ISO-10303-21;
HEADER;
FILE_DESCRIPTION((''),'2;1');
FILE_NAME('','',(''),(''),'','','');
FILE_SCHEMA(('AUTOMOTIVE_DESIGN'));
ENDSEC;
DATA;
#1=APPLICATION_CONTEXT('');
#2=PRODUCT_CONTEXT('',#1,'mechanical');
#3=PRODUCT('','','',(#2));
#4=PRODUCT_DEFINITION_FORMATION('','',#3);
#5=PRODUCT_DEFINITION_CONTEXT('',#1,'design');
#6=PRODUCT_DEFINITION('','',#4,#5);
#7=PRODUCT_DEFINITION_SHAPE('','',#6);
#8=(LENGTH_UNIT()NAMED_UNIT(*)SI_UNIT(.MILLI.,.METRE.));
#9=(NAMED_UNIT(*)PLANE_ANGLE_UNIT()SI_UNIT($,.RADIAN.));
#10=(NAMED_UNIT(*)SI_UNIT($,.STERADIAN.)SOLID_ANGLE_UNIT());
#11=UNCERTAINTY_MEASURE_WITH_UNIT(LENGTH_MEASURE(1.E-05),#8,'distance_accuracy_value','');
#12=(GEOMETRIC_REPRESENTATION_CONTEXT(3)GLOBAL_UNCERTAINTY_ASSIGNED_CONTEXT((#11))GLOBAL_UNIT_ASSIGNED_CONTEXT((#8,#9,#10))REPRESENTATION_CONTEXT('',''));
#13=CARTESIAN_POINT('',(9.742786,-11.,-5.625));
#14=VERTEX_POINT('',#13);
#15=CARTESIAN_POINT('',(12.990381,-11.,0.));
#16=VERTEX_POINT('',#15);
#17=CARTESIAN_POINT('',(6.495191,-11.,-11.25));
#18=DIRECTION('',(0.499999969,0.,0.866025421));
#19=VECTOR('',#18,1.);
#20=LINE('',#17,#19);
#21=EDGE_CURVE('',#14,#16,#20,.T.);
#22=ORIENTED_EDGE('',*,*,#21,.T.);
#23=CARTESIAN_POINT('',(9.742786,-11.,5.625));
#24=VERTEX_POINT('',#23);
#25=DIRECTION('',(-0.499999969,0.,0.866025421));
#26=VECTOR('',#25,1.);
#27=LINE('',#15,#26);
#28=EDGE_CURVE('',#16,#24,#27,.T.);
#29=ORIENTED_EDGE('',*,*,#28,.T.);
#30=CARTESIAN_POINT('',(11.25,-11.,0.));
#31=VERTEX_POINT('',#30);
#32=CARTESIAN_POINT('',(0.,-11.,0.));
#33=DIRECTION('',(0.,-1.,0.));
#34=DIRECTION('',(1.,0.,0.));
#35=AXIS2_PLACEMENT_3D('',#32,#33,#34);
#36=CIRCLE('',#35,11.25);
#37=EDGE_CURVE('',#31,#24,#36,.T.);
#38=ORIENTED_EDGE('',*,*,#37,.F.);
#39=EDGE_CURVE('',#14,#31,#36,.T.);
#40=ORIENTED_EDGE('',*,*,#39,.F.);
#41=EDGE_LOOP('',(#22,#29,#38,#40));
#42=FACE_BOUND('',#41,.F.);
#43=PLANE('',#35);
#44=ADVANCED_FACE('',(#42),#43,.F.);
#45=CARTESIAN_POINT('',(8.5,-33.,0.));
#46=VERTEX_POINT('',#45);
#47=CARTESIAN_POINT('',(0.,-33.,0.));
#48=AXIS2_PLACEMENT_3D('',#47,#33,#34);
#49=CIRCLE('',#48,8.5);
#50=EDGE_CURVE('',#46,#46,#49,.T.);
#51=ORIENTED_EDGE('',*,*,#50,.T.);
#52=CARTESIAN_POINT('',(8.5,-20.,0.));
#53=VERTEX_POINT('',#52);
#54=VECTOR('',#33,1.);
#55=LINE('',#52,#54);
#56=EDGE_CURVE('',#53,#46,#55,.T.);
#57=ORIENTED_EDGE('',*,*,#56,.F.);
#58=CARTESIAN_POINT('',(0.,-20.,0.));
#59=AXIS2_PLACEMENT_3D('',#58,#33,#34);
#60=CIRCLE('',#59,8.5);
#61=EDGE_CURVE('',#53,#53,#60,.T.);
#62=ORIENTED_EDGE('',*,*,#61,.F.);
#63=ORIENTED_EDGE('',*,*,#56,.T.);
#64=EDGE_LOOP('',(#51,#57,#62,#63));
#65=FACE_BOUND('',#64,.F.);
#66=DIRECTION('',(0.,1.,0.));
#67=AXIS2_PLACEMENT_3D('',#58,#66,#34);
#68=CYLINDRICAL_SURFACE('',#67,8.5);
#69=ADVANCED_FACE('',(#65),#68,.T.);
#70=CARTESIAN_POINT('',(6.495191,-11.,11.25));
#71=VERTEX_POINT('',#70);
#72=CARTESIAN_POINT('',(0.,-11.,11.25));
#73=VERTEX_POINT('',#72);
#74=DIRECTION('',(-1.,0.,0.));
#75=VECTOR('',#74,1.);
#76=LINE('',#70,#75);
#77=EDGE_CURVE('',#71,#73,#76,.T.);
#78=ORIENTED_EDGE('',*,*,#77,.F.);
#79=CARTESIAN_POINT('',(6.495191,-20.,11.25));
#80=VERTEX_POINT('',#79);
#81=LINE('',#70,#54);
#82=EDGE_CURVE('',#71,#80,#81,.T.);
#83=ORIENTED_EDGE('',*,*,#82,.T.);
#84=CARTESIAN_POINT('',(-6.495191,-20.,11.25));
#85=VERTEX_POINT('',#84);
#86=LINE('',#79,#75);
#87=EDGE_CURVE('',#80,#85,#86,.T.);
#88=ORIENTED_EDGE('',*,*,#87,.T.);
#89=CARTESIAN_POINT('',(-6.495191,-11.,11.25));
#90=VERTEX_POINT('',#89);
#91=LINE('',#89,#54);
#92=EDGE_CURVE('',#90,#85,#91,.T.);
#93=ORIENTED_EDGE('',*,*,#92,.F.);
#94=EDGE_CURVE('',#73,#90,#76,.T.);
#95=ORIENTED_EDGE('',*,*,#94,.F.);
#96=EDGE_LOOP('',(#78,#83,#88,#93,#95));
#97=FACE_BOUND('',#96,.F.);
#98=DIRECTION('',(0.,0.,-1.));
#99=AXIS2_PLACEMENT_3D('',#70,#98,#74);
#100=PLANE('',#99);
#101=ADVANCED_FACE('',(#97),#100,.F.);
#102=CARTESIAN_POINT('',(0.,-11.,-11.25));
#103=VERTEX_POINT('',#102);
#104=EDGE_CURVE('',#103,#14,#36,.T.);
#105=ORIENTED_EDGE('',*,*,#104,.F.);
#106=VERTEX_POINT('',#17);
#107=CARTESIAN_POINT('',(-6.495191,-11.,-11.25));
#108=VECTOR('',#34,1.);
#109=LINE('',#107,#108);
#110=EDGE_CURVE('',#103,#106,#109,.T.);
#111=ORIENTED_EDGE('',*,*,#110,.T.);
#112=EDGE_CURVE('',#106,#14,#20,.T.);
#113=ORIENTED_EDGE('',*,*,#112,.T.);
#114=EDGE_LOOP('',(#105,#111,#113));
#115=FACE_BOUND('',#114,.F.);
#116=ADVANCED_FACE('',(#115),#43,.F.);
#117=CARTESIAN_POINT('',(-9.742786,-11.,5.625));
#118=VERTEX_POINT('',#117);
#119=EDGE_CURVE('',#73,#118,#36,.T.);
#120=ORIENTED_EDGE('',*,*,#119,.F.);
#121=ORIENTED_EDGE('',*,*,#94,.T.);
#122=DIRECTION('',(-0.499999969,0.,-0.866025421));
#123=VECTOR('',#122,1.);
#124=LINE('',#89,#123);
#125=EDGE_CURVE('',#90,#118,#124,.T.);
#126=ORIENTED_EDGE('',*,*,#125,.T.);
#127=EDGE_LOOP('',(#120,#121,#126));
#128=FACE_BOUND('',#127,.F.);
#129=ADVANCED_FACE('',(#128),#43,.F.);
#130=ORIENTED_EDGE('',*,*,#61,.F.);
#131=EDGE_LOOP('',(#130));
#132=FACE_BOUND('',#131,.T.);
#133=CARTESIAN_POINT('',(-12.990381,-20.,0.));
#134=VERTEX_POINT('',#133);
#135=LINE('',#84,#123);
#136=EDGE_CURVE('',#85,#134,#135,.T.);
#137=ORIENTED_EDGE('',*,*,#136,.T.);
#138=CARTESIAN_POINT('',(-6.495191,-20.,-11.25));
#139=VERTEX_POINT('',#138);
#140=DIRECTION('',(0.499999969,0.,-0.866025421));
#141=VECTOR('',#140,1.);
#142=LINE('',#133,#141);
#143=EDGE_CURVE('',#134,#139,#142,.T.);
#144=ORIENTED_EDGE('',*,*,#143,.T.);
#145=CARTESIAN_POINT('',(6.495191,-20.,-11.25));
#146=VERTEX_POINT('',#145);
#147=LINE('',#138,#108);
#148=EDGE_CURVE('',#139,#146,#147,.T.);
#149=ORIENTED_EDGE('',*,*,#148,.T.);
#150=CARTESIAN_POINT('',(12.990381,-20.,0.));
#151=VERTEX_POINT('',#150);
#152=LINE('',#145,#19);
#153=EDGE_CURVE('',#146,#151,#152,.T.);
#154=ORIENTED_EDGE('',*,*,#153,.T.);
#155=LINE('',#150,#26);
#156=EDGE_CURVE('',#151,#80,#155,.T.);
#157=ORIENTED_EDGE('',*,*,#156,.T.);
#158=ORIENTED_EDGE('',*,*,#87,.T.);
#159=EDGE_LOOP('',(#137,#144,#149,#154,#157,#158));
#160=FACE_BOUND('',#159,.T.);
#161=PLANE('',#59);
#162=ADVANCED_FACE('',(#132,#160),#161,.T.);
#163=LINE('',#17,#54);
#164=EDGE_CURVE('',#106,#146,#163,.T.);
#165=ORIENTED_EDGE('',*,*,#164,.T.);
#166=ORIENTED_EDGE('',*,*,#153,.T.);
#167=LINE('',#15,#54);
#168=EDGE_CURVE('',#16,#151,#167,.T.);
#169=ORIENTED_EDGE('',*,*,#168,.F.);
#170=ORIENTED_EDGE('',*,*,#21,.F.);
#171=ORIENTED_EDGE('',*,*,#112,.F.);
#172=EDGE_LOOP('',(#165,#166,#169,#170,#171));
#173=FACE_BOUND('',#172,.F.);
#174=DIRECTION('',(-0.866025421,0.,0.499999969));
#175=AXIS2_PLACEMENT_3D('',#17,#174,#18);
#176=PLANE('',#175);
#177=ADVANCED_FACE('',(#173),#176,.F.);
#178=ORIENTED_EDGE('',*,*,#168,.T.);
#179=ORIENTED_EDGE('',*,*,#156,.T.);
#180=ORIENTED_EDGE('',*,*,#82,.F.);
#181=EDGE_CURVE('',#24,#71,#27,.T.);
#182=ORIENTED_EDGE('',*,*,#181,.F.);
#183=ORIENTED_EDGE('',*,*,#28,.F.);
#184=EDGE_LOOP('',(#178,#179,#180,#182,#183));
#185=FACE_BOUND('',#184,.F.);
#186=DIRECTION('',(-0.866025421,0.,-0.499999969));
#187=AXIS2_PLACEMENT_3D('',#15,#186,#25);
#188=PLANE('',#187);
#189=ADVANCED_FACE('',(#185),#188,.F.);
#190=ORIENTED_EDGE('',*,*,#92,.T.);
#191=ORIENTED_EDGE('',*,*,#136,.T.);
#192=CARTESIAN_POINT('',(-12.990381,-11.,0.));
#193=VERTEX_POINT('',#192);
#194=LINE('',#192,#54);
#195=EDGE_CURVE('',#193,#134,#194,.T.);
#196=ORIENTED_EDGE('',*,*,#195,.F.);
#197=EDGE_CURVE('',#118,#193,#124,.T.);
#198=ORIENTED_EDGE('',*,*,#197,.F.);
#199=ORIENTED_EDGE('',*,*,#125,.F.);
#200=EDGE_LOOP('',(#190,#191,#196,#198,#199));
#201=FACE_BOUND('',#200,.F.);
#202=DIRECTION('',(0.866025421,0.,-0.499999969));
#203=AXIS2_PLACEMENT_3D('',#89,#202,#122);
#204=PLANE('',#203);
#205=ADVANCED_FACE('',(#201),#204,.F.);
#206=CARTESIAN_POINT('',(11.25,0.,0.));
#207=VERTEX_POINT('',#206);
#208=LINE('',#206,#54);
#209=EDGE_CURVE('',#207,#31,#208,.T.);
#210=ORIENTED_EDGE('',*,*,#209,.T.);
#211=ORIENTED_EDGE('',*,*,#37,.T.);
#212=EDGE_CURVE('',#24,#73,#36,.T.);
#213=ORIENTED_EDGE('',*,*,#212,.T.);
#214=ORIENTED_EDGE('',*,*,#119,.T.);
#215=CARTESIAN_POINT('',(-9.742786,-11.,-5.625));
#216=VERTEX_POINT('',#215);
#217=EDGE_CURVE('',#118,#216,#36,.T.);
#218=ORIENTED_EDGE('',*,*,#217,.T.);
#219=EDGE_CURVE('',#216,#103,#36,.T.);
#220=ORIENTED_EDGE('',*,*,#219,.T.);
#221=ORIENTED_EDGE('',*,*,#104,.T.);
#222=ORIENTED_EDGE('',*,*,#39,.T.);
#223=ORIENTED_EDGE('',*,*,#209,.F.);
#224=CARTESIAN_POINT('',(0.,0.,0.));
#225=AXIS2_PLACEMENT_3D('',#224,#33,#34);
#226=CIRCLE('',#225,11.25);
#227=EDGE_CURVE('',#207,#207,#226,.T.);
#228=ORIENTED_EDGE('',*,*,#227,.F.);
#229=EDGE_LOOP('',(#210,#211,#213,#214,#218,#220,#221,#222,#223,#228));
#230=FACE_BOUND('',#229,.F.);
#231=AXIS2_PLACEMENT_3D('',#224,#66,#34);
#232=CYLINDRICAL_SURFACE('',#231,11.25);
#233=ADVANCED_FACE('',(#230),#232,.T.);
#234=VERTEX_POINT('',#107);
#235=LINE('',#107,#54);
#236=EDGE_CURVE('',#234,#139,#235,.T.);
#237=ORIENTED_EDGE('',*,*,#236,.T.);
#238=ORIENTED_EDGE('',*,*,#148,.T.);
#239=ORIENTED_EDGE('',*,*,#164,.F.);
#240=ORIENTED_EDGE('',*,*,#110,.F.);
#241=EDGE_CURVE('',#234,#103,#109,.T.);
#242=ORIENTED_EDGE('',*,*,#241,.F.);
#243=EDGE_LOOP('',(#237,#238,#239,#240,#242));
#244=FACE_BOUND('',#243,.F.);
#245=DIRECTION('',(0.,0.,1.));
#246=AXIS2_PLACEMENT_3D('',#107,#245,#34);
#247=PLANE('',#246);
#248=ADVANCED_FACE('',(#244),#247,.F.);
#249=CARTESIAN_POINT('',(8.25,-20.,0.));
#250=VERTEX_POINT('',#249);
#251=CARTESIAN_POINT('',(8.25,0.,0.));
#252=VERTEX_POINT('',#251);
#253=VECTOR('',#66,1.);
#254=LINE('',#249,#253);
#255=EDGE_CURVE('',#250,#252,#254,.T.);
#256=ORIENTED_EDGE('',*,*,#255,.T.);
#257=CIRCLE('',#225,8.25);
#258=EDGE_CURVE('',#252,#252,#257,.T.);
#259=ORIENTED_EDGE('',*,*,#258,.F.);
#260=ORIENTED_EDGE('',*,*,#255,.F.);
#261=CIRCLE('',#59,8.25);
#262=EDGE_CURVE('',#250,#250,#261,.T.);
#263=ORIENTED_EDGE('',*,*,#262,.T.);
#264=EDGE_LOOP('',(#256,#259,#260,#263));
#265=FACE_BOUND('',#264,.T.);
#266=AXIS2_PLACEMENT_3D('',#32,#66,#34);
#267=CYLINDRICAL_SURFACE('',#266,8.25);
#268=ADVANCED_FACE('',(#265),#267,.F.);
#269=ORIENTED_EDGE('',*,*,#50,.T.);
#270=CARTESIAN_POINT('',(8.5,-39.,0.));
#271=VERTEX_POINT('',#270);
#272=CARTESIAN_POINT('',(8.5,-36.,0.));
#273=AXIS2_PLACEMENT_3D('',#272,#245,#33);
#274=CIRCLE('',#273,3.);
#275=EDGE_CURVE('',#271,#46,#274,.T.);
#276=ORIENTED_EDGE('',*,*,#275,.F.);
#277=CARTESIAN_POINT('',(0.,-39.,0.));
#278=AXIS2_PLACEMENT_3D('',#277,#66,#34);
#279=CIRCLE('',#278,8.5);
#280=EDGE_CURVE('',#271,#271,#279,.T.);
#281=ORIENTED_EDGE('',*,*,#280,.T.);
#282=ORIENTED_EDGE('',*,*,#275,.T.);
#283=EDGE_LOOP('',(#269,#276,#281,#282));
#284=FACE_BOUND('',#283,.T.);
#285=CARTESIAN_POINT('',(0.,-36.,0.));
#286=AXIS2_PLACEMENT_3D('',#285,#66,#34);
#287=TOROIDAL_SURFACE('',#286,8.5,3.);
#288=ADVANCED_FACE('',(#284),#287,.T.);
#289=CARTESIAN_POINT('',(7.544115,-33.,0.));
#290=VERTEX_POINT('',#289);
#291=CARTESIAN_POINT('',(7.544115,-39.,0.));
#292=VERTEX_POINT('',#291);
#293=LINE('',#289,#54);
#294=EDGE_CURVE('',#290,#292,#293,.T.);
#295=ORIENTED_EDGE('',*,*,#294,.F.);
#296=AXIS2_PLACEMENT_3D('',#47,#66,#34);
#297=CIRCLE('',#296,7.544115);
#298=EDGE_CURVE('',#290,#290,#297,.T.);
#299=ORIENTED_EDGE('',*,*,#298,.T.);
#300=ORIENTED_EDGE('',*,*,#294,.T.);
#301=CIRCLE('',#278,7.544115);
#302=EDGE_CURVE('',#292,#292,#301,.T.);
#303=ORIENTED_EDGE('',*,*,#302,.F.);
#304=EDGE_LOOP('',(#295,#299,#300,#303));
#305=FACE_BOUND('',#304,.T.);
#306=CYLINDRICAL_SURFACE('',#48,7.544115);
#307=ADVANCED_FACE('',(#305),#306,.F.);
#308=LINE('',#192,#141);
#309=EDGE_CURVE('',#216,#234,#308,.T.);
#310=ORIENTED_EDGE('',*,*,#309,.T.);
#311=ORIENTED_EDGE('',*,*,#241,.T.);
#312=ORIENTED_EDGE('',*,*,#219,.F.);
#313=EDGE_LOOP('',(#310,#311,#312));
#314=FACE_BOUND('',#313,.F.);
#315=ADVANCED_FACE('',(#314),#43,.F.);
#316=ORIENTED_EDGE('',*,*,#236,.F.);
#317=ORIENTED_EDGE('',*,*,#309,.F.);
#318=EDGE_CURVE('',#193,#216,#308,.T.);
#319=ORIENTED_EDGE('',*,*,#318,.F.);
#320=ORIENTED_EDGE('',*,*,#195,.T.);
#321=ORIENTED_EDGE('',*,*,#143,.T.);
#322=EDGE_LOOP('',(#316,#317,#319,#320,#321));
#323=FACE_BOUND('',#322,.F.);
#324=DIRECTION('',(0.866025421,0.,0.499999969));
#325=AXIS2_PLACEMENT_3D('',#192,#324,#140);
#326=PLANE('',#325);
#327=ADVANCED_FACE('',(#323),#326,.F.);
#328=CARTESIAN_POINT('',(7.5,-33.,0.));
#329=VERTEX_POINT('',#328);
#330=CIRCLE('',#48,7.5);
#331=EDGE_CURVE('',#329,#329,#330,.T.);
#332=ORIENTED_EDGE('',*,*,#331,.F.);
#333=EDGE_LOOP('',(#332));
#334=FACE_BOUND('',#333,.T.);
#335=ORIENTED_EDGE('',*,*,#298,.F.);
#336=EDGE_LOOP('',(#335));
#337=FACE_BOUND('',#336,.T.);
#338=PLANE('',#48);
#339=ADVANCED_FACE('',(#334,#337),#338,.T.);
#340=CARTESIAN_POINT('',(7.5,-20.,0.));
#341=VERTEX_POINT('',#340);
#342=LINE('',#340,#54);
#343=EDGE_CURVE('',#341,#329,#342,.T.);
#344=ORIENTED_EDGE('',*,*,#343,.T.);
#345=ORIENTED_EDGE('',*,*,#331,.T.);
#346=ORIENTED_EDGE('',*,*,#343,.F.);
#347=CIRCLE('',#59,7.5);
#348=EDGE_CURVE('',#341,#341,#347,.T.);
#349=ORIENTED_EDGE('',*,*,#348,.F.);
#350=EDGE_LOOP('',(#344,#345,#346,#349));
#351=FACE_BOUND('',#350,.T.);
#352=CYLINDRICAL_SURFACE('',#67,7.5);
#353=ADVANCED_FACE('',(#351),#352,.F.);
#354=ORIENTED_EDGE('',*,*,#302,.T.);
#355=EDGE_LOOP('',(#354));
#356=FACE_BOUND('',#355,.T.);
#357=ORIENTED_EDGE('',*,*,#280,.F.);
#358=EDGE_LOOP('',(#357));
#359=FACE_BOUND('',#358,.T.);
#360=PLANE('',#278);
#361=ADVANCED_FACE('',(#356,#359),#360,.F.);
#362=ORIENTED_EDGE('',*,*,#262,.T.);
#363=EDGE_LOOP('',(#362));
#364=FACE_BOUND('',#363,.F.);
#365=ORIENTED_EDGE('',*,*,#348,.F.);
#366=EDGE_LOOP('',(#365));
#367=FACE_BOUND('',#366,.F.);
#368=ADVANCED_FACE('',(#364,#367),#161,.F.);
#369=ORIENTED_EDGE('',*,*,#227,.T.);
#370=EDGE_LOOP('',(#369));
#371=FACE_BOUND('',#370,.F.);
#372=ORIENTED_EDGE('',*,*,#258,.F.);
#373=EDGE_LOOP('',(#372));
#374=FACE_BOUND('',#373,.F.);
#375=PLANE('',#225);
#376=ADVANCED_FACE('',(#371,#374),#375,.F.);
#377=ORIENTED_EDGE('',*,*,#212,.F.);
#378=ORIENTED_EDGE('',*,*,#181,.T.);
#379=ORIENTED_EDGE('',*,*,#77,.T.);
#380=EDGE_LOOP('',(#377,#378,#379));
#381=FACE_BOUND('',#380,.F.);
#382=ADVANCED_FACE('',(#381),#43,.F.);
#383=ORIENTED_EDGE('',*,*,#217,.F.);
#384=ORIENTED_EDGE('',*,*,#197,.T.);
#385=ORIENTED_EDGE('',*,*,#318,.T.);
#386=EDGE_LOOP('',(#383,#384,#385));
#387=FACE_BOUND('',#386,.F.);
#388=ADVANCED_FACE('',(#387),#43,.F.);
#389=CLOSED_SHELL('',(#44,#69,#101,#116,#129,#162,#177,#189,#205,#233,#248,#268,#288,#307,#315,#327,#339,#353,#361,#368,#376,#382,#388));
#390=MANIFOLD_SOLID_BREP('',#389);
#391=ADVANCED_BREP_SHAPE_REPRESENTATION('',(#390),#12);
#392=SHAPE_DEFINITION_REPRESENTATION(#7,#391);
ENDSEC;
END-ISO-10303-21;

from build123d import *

# Parameters (mm, degrees)
F0_R     = 11.25
F0_R_2   = 8.25
F1_DEPTH = 11
F2_R     = 8.25
F3_DEPTH = 9
F4_R     = 8.5
F4_R_2   = 7.5
F5_DEPTH = 13


with BuildPart() as f1:
    # F0 (on Front) → F1 (new body)
    with BuildSketch(Plane.XZ):
        Circle(F0_R)
        Circle(F0_R_2, mode=Mode.SUBTRACT)
    extrude(amount=F1_DEPTH)

    # F2 (on face) → F3 (join)
    with BuildSketch(Plane.XZ.offset(11)):
        Polygon((6.495191, 11.25), (-6.495191, 11.25), (-12.990381, 0), (-6.495191, -11.25), (6.495191, -11.25), (12.990381, 0), align=None)
        Circle(F2_R, mode=Mode.SUBTRACT)
    extrude(amount=F3_DEPTH)

    # F4 (on face) → F5 (join)
    with BuildSketch(Plane.XZ.offset(20)):
        Circle(F4_R)
        Circle(F4_R_2, mode=Mode.SUBTRACT)
    extrude(amount=F5_DEPTH)

    # F6 (on Top) → F7 (revolve)
    with BuildSketch(Plane.XY):
        with BuildLine():
            Line((7.544115, -39), (8.5, -39))
            ThreePointArc((8.5, -39), (11.5, -36), (8.5, -33))
            Line((8.5, -33), (7.544115, -33))
            Line((7.544115, -33), (7.544115, -39))
        make_face()
    revolve(axis=Axis((0, -35.327807, 0), (0, 1, 0)))


solid = f1.part
